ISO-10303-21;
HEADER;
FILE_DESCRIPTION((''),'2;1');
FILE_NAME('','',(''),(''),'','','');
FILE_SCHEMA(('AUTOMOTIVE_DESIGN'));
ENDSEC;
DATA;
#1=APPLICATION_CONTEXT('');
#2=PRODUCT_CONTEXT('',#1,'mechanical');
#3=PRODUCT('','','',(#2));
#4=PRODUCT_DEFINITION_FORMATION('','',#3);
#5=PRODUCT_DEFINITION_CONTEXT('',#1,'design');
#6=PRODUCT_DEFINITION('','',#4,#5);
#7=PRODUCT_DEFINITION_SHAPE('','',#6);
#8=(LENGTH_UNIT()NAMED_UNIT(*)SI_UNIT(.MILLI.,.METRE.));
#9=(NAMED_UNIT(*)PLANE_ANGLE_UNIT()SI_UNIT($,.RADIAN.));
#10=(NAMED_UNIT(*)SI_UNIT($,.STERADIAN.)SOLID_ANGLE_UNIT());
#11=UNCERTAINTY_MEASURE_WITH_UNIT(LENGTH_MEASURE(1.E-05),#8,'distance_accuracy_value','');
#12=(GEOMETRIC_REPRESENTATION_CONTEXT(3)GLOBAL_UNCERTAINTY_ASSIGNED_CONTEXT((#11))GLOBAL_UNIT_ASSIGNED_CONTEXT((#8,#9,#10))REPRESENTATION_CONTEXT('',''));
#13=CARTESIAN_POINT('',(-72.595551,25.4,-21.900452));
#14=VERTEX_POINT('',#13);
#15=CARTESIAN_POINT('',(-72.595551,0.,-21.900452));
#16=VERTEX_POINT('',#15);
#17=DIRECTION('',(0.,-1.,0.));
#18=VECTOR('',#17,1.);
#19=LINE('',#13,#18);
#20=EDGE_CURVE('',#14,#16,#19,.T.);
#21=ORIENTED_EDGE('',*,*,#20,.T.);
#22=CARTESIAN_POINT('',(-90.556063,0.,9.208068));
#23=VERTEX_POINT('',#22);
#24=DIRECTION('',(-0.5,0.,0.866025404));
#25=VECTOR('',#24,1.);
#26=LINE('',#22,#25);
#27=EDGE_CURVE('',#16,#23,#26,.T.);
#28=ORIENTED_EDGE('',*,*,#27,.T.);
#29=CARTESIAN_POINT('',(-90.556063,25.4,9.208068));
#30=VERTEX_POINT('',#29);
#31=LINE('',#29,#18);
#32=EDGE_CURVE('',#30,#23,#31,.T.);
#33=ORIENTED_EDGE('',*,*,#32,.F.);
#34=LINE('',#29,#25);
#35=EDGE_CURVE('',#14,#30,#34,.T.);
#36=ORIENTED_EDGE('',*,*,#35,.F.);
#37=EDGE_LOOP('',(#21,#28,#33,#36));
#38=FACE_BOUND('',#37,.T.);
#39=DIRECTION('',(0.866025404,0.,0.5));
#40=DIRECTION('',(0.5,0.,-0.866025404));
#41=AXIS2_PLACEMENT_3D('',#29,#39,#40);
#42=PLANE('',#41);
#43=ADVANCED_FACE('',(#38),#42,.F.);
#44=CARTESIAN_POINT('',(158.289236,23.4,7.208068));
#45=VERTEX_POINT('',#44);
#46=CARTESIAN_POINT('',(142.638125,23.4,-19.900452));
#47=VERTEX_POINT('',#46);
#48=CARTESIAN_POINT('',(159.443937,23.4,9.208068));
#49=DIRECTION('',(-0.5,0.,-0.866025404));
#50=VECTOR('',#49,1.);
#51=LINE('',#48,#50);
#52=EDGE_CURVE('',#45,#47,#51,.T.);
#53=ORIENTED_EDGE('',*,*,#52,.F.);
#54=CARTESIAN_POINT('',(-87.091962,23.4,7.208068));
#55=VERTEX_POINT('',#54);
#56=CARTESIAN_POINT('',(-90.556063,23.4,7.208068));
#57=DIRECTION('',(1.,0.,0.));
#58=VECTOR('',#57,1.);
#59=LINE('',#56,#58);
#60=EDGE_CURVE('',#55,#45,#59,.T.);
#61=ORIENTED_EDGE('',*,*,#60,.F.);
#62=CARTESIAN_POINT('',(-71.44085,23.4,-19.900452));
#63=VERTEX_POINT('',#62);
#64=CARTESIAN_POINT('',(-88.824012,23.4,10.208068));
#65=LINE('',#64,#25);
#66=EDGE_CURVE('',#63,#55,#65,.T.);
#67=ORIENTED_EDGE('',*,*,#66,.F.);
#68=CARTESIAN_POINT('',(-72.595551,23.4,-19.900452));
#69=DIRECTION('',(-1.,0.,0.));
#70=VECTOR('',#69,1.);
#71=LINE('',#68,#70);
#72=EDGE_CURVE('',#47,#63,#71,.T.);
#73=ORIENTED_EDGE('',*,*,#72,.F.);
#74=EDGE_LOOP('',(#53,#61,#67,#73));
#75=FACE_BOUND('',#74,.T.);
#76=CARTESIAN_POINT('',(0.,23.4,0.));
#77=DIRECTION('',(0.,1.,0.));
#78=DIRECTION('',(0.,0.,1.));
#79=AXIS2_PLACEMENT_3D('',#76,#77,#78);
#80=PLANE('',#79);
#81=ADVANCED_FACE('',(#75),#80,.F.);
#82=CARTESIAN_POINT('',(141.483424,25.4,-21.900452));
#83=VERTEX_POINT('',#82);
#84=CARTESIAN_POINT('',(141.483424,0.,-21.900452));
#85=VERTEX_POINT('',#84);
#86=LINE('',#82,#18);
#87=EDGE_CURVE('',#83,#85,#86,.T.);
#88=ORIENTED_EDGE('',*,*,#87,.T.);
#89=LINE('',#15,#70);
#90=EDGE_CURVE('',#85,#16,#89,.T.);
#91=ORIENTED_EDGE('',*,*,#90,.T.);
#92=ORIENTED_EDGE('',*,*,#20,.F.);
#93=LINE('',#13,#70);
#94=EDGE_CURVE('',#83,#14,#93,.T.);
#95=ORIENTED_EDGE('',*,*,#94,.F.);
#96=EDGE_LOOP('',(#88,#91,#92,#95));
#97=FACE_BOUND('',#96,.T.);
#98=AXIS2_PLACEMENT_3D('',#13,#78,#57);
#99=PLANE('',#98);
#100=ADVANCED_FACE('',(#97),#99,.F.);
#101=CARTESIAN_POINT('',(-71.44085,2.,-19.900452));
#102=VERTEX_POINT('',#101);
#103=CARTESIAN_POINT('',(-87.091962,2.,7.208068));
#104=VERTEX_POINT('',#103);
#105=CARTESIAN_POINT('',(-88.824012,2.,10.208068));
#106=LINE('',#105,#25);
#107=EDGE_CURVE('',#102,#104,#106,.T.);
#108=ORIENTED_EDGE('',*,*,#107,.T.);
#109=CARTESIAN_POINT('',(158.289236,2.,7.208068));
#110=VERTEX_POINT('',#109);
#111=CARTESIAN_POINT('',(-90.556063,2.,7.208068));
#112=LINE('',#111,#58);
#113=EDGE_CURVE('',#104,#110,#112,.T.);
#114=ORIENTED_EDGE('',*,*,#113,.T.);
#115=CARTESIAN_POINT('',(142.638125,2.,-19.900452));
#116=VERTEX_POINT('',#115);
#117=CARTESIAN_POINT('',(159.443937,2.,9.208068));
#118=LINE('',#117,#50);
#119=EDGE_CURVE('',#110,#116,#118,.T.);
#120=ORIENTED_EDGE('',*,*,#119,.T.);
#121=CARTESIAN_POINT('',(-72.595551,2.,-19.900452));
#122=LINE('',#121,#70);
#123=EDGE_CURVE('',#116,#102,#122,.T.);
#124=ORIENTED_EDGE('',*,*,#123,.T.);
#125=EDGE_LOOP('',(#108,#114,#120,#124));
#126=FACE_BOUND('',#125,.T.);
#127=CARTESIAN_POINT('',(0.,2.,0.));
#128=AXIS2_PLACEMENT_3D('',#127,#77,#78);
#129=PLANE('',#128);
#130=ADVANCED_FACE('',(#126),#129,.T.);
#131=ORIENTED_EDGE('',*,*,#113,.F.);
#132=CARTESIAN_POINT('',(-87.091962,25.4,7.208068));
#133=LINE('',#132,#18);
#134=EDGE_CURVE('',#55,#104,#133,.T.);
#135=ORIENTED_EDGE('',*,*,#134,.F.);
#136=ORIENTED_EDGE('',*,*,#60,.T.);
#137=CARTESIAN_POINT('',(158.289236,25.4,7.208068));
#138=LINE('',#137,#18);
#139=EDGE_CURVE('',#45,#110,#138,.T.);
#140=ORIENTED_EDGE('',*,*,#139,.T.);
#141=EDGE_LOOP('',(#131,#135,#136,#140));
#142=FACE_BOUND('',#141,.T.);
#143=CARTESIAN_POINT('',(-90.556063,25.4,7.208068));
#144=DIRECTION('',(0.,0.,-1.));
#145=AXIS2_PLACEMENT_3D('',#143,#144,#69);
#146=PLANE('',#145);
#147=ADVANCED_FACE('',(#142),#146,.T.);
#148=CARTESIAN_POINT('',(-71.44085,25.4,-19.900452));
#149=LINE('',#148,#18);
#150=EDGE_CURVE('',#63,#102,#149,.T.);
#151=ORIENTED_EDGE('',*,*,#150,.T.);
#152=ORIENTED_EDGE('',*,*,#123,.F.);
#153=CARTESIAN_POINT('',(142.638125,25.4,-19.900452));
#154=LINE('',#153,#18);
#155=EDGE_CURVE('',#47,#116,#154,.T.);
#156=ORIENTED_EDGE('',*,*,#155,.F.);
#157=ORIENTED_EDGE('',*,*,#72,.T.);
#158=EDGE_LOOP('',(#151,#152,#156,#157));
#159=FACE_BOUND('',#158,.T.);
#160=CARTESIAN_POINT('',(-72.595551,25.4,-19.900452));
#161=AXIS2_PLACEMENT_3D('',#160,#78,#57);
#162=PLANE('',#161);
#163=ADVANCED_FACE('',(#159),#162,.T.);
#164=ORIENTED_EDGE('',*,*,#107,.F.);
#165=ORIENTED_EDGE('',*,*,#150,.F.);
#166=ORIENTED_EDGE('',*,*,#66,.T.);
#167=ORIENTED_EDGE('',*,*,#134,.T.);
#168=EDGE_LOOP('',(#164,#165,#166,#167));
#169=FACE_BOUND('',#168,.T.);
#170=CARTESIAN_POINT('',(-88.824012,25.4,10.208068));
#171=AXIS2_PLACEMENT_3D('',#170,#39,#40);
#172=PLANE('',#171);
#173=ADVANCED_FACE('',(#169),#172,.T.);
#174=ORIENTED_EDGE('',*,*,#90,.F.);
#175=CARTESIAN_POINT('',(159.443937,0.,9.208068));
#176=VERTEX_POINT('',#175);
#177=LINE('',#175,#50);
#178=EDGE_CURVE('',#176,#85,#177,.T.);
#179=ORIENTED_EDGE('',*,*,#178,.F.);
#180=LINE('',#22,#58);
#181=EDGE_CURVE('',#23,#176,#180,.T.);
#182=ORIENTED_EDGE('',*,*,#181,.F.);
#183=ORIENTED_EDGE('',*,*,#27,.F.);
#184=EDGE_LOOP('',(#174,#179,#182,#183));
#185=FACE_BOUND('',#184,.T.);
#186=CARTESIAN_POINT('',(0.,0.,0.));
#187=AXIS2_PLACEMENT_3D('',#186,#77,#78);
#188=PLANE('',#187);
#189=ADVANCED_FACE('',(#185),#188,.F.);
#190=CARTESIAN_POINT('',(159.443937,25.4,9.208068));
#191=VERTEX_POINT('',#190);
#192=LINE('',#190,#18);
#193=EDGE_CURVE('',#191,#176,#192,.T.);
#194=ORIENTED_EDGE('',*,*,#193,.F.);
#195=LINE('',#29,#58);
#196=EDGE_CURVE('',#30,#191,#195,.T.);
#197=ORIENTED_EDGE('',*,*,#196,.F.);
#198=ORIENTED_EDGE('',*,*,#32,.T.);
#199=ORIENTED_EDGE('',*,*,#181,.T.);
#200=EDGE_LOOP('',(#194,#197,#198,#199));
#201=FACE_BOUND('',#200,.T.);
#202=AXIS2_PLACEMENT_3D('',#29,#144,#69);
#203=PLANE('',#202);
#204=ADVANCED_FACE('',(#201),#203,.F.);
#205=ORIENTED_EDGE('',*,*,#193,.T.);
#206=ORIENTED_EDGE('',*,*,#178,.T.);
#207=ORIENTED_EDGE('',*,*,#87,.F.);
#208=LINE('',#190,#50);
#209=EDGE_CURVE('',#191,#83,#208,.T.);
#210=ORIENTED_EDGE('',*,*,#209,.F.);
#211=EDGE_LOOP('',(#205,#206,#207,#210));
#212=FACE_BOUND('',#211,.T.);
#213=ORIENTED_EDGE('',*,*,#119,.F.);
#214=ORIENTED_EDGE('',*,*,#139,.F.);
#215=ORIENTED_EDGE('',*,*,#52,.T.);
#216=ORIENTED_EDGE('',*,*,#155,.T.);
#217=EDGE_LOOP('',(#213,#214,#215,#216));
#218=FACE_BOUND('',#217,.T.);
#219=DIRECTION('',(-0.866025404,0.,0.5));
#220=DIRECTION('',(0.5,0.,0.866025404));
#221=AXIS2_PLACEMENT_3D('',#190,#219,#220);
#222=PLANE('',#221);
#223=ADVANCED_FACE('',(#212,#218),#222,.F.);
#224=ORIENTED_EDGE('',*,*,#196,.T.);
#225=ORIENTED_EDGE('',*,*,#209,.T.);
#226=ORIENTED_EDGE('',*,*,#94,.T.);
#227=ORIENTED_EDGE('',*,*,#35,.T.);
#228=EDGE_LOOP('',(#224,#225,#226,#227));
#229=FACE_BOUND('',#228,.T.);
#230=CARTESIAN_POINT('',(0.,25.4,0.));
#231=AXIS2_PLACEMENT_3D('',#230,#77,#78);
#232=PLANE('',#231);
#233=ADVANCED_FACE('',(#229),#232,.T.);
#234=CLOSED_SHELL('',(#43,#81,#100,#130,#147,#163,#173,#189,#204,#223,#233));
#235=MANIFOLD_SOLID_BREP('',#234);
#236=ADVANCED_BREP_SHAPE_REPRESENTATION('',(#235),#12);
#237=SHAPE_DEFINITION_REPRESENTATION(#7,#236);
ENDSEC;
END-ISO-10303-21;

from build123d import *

# Parameters (mm, degrees)
BOSS_EXTRUDE1_DEPTH = 25.4
SHELL3_T            = -2


with BuildPart() as part:
    # Sketch1 → Boss-Extrude1 (new body)
    with BuildSketch(Plane(origin=(0, 0, 0), x_dir=(1, 0, 0), z_dir=(0, 1, 0))):
        Polygon((-90.556063278, -9.208067905), (-72.595551035, 21.900451829), (141.48342448, 21.900451829), (159.443936722, -9.208067905), align=None)
    extrude(amount=BOSS_EXTRUDE1_DEPTH)

    # Shell3
    shell3_openings = [part.faces().sort_by_distance(p)[0] for p in [
        (150.463680601, 12.7, -6.346191962),
    ]]
    offset(amount=SHELL3_T, openings=shell3_openings, kind=Kind.INTERSECTION)


solid = part.part
